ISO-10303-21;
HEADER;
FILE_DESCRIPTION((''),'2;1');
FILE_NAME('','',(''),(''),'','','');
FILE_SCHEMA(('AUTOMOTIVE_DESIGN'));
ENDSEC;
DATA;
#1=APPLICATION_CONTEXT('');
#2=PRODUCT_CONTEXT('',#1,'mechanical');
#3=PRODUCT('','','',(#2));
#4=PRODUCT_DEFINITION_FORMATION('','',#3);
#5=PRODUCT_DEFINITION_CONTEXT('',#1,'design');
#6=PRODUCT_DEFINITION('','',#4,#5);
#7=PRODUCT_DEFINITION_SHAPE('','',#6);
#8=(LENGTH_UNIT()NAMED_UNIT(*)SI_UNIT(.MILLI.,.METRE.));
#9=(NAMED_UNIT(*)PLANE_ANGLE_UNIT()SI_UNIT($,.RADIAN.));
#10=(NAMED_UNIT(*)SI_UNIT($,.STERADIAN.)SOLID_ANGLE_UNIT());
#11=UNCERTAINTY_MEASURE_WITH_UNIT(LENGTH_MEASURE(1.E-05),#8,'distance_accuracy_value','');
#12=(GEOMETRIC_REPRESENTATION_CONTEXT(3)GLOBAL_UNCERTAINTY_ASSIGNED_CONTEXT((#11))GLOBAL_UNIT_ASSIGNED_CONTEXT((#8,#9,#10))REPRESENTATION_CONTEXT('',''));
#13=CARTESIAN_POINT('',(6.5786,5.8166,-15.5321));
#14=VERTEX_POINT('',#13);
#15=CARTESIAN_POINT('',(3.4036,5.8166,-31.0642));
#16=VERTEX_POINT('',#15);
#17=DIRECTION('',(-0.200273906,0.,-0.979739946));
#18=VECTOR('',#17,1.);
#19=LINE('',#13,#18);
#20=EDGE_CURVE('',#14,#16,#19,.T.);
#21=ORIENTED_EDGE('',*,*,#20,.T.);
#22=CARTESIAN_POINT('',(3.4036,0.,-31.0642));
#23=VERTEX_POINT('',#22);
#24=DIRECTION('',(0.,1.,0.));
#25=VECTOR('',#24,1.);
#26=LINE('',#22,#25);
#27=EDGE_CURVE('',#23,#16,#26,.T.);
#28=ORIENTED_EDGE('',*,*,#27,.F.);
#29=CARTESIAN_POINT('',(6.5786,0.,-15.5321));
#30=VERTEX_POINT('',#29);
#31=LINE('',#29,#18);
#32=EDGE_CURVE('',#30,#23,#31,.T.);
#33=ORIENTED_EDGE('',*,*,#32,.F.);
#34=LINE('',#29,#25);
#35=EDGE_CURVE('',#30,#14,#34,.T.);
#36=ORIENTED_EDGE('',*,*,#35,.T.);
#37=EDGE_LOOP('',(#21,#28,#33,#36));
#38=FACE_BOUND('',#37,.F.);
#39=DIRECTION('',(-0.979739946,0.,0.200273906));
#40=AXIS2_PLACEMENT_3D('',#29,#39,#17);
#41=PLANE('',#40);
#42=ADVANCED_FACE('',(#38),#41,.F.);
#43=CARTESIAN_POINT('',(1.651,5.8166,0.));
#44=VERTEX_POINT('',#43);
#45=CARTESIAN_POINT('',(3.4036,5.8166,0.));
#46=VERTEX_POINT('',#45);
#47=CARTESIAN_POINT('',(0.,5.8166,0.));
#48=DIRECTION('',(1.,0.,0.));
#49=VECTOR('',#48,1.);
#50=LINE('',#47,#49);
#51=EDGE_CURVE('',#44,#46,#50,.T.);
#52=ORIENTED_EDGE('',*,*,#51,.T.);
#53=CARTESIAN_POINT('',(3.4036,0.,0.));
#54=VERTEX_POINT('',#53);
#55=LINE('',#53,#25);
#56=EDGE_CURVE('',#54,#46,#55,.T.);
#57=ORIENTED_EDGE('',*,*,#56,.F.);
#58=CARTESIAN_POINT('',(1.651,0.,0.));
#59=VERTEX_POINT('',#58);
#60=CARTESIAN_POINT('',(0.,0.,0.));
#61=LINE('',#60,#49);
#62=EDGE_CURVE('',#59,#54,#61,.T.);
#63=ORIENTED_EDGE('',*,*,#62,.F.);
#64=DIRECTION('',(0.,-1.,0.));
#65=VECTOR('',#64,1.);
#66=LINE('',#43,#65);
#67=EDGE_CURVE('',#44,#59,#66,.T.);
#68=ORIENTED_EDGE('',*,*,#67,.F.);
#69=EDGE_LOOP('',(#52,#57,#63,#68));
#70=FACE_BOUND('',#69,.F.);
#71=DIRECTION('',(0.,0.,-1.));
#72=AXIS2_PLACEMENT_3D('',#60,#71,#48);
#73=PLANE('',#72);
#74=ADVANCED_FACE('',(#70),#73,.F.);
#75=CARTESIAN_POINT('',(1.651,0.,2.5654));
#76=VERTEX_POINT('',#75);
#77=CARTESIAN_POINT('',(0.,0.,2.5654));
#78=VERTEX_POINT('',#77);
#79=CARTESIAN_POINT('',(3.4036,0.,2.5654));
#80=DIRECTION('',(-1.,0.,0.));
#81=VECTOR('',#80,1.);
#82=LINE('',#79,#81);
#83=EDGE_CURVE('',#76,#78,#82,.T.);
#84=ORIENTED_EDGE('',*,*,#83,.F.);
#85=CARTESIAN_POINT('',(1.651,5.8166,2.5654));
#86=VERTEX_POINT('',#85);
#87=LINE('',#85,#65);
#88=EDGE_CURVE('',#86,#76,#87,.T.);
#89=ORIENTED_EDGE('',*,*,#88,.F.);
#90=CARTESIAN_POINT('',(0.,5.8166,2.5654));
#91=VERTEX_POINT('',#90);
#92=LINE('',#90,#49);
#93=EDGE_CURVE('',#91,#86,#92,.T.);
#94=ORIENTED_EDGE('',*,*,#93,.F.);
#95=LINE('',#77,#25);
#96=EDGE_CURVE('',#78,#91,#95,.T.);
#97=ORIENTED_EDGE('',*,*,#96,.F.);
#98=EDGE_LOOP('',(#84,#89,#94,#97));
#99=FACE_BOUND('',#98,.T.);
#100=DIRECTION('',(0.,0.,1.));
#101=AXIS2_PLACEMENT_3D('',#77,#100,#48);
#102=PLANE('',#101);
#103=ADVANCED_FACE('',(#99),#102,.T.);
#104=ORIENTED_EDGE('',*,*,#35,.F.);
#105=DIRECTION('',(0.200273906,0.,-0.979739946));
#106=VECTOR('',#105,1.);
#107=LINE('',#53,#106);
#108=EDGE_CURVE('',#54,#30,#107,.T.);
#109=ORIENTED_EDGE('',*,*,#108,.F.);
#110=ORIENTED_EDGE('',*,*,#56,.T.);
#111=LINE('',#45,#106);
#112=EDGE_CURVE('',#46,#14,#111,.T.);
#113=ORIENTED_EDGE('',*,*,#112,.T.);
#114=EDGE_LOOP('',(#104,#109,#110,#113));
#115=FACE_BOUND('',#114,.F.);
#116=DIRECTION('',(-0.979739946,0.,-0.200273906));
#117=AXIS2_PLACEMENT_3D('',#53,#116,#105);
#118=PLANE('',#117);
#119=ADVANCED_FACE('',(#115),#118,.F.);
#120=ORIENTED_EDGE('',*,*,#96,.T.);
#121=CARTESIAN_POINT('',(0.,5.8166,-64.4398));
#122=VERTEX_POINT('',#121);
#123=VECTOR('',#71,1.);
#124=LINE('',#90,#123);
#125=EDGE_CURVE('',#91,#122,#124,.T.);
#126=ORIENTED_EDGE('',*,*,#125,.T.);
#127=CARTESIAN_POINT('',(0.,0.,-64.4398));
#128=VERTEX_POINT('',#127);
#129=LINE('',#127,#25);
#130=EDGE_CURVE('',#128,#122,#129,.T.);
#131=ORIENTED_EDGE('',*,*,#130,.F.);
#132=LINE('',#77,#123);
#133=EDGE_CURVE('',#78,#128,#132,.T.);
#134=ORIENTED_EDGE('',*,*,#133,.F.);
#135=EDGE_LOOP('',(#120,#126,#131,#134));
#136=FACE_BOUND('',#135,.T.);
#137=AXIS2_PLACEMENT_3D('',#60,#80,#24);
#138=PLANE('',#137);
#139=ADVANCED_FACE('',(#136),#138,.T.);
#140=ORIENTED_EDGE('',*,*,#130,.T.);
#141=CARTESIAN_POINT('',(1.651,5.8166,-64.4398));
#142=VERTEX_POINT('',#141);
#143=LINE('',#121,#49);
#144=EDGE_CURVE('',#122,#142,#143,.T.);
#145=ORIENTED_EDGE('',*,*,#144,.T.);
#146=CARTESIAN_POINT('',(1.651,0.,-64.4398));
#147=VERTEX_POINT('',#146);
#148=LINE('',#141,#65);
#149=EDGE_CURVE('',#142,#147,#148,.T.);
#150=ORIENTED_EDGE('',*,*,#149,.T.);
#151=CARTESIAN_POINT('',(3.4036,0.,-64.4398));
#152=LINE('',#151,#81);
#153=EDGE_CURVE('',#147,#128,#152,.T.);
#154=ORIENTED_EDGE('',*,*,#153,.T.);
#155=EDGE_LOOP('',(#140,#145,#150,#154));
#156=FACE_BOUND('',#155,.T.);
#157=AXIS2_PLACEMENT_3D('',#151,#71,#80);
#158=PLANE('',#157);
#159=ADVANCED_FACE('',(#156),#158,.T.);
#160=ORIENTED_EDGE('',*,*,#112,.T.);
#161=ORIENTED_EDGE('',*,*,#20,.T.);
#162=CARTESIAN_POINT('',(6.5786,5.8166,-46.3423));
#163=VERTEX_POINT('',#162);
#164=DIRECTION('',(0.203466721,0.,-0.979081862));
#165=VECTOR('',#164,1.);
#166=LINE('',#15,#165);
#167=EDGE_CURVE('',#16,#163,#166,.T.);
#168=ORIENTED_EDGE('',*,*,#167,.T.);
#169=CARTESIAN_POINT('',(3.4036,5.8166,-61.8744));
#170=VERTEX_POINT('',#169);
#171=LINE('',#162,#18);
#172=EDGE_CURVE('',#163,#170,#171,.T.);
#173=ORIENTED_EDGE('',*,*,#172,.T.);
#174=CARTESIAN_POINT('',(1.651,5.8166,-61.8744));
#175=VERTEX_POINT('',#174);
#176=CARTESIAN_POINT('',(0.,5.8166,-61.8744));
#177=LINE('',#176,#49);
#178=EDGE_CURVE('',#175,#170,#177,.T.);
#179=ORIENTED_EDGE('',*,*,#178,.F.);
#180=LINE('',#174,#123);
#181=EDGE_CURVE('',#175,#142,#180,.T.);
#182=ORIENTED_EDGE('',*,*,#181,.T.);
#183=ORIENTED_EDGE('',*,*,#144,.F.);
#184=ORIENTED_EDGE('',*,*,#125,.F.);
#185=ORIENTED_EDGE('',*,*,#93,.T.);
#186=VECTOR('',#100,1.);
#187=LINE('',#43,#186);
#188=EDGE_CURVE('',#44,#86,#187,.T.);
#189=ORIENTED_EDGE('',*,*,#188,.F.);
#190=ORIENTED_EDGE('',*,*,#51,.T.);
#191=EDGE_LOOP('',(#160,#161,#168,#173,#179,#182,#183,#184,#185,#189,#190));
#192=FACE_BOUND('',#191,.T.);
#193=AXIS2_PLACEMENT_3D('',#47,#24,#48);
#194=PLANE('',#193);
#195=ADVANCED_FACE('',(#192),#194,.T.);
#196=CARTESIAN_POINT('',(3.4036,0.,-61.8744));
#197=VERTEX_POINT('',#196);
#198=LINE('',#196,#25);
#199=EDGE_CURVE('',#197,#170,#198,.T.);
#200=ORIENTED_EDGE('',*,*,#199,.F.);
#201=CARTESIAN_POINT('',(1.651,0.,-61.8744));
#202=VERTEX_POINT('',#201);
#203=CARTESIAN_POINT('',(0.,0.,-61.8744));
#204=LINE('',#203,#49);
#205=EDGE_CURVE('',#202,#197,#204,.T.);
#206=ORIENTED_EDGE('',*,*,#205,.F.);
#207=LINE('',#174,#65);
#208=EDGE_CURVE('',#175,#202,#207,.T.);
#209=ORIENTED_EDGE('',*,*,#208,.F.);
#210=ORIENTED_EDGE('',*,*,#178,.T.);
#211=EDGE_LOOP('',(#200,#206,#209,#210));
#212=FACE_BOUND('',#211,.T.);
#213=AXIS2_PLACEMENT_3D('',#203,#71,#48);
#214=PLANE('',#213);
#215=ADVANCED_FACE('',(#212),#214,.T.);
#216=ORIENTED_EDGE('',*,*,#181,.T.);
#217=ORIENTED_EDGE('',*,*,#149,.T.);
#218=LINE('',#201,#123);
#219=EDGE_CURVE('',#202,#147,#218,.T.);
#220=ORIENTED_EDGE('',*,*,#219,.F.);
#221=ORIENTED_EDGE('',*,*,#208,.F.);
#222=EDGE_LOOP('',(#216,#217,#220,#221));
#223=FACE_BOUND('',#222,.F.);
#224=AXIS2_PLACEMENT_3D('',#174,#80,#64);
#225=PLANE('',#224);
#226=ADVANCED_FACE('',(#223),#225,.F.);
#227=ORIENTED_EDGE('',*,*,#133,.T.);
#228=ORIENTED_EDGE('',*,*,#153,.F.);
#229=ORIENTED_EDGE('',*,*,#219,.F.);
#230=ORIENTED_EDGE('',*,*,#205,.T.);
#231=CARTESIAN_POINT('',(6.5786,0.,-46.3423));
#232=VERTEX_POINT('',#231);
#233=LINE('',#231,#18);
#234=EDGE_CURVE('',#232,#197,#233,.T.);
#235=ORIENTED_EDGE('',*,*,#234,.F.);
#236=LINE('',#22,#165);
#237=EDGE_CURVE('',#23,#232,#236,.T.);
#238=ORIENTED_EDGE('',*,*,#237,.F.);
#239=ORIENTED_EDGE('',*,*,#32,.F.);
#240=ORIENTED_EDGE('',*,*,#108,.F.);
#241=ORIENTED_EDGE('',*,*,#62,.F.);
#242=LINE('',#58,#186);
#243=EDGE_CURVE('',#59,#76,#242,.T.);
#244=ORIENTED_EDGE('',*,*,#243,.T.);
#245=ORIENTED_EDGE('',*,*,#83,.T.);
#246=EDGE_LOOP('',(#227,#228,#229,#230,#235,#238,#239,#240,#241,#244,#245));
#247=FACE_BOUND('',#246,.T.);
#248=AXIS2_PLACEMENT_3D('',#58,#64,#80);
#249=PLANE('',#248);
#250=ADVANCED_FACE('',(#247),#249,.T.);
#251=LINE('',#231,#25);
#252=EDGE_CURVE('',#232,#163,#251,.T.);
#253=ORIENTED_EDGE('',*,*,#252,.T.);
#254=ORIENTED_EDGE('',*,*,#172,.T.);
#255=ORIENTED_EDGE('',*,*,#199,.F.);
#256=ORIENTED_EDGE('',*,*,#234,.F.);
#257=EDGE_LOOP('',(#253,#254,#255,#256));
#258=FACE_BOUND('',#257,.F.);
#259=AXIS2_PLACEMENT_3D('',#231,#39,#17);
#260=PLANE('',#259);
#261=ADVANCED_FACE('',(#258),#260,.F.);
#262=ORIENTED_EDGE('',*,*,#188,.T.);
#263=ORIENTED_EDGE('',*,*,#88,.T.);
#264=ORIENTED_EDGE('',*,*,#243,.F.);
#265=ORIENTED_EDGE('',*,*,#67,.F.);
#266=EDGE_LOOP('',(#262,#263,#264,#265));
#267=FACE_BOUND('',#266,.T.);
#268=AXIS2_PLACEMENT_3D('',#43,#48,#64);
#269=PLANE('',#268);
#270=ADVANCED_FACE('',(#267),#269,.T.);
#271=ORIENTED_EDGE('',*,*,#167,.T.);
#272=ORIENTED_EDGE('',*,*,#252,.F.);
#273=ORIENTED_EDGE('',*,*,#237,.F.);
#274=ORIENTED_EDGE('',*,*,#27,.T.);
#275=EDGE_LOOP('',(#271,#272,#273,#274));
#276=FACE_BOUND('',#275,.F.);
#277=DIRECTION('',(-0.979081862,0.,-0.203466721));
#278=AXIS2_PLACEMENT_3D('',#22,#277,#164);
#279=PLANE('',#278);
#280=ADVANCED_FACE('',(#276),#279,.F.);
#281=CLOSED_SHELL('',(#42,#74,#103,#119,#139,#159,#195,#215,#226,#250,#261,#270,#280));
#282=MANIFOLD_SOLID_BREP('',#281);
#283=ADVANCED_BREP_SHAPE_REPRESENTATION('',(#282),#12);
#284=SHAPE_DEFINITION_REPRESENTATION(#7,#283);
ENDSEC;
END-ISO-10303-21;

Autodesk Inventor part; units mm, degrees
ref_plane "YZ Plane" through (0, 0, 0) normal (1, 0, 0) x (0, 1, 0)
ref_plane "XZ Plane" through (0, 0, 0) normal (0, 1, 0) x (-1, 0, 0)
ref_plane "XY Plane" through (0, 0, 0) normal (0, 0, 1) x (1, 0, 0)
sketch "Sketch1" plane through (0, 0, 0) normal (0, 1, 0) x (-1, 0, 0)
  line L0 (0, 0) -> (0, -61.8744)
  line L1 (0, 0) -> (-3.4036, 0)
  line L2 (0, -61.8744) -> (-3.4036, -61.8744)
  line L3 (-3.4036, 0) -> (-6.5786, -15.5321)
  line L4 (-6.5786, -15.5321) -> (-3.4036, -31.0642)
  line L5 (-3.4036, -31.0642) -> (-6.5786, -46.3423)
  line L6 (-6.5786, -46.3423) -> (-3.4036, -61.8744)
  dimension "d0" = 61.8744
  dimension "d1" = 3.4036
  dimension "d2" = 3.4036
  dimension "d3" = 15.5321
  dimension "d4" = 31.0642
  dimension "d5" = 15.5321
  dimension "d6" = 3.175
  dimension "d7" = 3.175
extrude "Extrusion1" add sketch "Sketch1" along normal blind 5.8166
sketch "Sketch2" plane through (0, 0, 0) normal (0, 0, 1) x (1, 0, 0)
  line L0 (3.4036, 0) -> (0, 0) projected
  line L1 (0, 5.8166) -> (1.651, 5.8166)
  line L2 (1.651, 5.8166) -> (1.651, 0)
  line L3 (1.651, 0) -> (0, 0)
  line L4 (0, 0) -> (0, 5.8166)
  dimension "d10" = 1.651
sketch "Sketch3" plane through (3.4036, 0, -61.8744) normal (0, 0, -1) x (-1, 0, 0)
  line L0 (0, 0) -> (3.4036, 0) projected
  line L1 (3.4036, 5.8166) -> (1.7526, 5.8166)
  line L2 (1.7526, 5.8166) -> (1.7526, 0)
  line L3 (1.7526, 0) -> (3.4036, 0)
  line L4 (3.4036, 0) -> (3.4036, 5.8166)
  dimension "d11" = 1.651
extrude "Extrusion2" add sketch "Sketch3" along normal blind 2.5654
extrude "Extrusion3" add sketch "Sketch2" along normal blind 2.5654
properties part number "Short_insert_CPY3_CPY"
